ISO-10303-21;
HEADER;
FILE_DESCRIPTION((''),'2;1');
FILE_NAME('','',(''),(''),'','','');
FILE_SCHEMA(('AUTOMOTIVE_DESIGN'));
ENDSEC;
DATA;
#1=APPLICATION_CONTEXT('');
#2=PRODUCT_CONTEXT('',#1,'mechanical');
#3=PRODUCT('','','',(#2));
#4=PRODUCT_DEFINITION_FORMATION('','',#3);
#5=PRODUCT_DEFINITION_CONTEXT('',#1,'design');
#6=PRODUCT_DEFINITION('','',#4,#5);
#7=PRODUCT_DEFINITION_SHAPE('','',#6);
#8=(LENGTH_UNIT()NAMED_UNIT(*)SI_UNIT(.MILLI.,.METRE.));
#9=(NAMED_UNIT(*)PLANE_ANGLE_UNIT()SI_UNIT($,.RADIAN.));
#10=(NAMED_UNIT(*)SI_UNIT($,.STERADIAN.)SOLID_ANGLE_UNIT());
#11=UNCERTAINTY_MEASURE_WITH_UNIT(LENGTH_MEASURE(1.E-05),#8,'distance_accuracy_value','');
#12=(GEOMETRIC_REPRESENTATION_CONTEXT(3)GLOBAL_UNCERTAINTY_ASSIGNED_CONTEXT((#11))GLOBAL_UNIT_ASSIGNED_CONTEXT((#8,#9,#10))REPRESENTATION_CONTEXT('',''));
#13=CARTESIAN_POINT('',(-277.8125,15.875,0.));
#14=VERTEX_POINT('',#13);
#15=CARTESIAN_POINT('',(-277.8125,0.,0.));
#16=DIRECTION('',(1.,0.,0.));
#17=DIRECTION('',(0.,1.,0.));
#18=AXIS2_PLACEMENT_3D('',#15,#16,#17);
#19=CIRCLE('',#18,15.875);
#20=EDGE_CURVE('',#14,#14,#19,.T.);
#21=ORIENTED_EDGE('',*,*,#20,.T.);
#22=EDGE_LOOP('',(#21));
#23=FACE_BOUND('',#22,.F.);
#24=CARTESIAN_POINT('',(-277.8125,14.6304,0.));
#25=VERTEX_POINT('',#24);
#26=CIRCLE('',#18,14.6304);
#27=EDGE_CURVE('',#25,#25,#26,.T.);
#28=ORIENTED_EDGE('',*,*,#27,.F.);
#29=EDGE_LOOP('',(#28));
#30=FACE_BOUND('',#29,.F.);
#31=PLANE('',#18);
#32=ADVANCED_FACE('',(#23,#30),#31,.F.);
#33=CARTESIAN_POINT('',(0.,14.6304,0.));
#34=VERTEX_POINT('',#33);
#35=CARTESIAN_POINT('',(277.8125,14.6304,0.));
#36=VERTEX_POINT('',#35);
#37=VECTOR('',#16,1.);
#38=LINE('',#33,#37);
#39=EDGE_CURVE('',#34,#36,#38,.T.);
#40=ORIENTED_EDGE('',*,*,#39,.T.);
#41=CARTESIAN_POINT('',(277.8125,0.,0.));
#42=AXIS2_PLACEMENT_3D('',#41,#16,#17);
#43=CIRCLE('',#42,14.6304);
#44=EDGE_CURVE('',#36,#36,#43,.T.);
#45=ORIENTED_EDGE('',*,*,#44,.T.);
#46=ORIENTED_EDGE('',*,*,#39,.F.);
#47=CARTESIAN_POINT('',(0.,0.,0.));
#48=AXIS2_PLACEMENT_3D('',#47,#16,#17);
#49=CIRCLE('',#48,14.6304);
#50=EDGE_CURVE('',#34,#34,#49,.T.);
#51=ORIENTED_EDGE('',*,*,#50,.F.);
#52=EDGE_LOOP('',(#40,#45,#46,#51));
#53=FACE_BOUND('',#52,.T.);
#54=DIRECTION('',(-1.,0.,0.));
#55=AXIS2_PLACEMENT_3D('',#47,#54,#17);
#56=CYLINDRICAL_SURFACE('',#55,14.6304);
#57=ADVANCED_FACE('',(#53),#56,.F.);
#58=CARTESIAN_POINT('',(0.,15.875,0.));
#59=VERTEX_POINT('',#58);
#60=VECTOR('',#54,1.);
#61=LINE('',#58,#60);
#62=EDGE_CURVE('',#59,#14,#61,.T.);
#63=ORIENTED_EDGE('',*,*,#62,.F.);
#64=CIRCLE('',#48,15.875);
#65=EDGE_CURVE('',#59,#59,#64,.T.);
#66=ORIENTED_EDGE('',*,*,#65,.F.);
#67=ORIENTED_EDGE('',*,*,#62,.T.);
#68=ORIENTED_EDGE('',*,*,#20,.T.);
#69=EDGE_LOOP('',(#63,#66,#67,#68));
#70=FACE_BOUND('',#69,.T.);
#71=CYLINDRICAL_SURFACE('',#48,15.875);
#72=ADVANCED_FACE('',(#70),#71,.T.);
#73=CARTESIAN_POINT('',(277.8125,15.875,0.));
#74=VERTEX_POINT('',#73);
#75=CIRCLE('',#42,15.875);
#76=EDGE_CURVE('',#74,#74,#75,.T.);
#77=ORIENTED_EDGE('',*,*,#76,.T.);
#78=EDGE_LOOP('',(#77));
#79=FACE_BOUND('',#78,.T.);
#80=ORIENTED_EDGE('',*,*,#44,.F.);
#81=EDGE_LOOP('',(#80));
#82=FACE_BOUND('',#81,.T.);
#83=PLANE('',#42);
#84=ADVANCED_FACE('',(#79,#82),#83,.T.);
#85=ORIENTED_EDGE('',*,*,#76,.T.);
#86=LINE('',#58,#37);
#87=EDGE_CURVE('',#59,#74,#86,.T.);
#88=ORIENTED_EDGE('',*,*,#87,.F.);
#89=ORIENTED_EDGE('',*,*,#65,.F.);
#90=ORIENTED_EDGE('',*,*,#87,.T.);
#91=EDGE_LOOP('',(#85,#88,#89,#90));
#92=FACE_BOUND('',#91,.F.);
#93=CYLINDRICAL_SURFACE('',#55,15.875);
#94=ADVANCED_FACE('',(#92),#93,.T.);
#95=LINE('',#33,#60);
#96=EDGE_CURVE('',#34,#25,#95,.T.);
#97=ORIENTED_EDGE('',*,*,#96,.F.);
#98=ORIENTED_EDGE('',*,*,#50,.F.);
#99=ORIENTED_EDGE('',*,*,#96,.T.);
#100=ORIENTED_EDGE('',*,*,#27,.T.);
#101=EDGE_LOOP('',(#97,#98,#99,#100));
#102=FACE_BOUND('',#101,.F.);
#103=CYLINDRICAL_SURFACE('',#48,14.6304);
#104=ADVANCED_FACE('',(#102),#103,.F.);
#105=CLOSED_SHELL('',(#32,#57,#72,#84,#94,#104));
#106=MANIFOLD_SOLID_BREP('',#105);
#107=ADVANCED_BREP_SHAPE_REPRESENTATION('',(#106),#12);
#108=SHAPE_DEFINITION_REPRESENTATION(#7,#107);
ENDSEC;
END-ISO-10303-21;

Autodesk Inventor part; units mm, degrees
ref_plane "YZ Plane" through (0, 0, 0) normal (1, 0, 0) x (0, 1, 0)
ref_plane "XZ Plane" through (0, 0, 0) normal (0, 1, 0) x (-1, 0, 0)
ref_plane "XY Plane" through (0, 0, 0) normal (0, 0, 1) x (1, 0, 0)
sketch "Sketch1" plane through (0, 0, 0) normal (1, 0, 0) x (0, 1, 0)
  circle A0 centre (0, 0) radius 15.875
  circle A1 centre (0, 0) radius 14.6304
  dimension "d0" = 31.75
  dimension "d4" = 1.2446
extrude "Extrusion1" add sketch "Sketch1" along normal mid plane 555.625
properties part number "1in Short PVC Roller"
